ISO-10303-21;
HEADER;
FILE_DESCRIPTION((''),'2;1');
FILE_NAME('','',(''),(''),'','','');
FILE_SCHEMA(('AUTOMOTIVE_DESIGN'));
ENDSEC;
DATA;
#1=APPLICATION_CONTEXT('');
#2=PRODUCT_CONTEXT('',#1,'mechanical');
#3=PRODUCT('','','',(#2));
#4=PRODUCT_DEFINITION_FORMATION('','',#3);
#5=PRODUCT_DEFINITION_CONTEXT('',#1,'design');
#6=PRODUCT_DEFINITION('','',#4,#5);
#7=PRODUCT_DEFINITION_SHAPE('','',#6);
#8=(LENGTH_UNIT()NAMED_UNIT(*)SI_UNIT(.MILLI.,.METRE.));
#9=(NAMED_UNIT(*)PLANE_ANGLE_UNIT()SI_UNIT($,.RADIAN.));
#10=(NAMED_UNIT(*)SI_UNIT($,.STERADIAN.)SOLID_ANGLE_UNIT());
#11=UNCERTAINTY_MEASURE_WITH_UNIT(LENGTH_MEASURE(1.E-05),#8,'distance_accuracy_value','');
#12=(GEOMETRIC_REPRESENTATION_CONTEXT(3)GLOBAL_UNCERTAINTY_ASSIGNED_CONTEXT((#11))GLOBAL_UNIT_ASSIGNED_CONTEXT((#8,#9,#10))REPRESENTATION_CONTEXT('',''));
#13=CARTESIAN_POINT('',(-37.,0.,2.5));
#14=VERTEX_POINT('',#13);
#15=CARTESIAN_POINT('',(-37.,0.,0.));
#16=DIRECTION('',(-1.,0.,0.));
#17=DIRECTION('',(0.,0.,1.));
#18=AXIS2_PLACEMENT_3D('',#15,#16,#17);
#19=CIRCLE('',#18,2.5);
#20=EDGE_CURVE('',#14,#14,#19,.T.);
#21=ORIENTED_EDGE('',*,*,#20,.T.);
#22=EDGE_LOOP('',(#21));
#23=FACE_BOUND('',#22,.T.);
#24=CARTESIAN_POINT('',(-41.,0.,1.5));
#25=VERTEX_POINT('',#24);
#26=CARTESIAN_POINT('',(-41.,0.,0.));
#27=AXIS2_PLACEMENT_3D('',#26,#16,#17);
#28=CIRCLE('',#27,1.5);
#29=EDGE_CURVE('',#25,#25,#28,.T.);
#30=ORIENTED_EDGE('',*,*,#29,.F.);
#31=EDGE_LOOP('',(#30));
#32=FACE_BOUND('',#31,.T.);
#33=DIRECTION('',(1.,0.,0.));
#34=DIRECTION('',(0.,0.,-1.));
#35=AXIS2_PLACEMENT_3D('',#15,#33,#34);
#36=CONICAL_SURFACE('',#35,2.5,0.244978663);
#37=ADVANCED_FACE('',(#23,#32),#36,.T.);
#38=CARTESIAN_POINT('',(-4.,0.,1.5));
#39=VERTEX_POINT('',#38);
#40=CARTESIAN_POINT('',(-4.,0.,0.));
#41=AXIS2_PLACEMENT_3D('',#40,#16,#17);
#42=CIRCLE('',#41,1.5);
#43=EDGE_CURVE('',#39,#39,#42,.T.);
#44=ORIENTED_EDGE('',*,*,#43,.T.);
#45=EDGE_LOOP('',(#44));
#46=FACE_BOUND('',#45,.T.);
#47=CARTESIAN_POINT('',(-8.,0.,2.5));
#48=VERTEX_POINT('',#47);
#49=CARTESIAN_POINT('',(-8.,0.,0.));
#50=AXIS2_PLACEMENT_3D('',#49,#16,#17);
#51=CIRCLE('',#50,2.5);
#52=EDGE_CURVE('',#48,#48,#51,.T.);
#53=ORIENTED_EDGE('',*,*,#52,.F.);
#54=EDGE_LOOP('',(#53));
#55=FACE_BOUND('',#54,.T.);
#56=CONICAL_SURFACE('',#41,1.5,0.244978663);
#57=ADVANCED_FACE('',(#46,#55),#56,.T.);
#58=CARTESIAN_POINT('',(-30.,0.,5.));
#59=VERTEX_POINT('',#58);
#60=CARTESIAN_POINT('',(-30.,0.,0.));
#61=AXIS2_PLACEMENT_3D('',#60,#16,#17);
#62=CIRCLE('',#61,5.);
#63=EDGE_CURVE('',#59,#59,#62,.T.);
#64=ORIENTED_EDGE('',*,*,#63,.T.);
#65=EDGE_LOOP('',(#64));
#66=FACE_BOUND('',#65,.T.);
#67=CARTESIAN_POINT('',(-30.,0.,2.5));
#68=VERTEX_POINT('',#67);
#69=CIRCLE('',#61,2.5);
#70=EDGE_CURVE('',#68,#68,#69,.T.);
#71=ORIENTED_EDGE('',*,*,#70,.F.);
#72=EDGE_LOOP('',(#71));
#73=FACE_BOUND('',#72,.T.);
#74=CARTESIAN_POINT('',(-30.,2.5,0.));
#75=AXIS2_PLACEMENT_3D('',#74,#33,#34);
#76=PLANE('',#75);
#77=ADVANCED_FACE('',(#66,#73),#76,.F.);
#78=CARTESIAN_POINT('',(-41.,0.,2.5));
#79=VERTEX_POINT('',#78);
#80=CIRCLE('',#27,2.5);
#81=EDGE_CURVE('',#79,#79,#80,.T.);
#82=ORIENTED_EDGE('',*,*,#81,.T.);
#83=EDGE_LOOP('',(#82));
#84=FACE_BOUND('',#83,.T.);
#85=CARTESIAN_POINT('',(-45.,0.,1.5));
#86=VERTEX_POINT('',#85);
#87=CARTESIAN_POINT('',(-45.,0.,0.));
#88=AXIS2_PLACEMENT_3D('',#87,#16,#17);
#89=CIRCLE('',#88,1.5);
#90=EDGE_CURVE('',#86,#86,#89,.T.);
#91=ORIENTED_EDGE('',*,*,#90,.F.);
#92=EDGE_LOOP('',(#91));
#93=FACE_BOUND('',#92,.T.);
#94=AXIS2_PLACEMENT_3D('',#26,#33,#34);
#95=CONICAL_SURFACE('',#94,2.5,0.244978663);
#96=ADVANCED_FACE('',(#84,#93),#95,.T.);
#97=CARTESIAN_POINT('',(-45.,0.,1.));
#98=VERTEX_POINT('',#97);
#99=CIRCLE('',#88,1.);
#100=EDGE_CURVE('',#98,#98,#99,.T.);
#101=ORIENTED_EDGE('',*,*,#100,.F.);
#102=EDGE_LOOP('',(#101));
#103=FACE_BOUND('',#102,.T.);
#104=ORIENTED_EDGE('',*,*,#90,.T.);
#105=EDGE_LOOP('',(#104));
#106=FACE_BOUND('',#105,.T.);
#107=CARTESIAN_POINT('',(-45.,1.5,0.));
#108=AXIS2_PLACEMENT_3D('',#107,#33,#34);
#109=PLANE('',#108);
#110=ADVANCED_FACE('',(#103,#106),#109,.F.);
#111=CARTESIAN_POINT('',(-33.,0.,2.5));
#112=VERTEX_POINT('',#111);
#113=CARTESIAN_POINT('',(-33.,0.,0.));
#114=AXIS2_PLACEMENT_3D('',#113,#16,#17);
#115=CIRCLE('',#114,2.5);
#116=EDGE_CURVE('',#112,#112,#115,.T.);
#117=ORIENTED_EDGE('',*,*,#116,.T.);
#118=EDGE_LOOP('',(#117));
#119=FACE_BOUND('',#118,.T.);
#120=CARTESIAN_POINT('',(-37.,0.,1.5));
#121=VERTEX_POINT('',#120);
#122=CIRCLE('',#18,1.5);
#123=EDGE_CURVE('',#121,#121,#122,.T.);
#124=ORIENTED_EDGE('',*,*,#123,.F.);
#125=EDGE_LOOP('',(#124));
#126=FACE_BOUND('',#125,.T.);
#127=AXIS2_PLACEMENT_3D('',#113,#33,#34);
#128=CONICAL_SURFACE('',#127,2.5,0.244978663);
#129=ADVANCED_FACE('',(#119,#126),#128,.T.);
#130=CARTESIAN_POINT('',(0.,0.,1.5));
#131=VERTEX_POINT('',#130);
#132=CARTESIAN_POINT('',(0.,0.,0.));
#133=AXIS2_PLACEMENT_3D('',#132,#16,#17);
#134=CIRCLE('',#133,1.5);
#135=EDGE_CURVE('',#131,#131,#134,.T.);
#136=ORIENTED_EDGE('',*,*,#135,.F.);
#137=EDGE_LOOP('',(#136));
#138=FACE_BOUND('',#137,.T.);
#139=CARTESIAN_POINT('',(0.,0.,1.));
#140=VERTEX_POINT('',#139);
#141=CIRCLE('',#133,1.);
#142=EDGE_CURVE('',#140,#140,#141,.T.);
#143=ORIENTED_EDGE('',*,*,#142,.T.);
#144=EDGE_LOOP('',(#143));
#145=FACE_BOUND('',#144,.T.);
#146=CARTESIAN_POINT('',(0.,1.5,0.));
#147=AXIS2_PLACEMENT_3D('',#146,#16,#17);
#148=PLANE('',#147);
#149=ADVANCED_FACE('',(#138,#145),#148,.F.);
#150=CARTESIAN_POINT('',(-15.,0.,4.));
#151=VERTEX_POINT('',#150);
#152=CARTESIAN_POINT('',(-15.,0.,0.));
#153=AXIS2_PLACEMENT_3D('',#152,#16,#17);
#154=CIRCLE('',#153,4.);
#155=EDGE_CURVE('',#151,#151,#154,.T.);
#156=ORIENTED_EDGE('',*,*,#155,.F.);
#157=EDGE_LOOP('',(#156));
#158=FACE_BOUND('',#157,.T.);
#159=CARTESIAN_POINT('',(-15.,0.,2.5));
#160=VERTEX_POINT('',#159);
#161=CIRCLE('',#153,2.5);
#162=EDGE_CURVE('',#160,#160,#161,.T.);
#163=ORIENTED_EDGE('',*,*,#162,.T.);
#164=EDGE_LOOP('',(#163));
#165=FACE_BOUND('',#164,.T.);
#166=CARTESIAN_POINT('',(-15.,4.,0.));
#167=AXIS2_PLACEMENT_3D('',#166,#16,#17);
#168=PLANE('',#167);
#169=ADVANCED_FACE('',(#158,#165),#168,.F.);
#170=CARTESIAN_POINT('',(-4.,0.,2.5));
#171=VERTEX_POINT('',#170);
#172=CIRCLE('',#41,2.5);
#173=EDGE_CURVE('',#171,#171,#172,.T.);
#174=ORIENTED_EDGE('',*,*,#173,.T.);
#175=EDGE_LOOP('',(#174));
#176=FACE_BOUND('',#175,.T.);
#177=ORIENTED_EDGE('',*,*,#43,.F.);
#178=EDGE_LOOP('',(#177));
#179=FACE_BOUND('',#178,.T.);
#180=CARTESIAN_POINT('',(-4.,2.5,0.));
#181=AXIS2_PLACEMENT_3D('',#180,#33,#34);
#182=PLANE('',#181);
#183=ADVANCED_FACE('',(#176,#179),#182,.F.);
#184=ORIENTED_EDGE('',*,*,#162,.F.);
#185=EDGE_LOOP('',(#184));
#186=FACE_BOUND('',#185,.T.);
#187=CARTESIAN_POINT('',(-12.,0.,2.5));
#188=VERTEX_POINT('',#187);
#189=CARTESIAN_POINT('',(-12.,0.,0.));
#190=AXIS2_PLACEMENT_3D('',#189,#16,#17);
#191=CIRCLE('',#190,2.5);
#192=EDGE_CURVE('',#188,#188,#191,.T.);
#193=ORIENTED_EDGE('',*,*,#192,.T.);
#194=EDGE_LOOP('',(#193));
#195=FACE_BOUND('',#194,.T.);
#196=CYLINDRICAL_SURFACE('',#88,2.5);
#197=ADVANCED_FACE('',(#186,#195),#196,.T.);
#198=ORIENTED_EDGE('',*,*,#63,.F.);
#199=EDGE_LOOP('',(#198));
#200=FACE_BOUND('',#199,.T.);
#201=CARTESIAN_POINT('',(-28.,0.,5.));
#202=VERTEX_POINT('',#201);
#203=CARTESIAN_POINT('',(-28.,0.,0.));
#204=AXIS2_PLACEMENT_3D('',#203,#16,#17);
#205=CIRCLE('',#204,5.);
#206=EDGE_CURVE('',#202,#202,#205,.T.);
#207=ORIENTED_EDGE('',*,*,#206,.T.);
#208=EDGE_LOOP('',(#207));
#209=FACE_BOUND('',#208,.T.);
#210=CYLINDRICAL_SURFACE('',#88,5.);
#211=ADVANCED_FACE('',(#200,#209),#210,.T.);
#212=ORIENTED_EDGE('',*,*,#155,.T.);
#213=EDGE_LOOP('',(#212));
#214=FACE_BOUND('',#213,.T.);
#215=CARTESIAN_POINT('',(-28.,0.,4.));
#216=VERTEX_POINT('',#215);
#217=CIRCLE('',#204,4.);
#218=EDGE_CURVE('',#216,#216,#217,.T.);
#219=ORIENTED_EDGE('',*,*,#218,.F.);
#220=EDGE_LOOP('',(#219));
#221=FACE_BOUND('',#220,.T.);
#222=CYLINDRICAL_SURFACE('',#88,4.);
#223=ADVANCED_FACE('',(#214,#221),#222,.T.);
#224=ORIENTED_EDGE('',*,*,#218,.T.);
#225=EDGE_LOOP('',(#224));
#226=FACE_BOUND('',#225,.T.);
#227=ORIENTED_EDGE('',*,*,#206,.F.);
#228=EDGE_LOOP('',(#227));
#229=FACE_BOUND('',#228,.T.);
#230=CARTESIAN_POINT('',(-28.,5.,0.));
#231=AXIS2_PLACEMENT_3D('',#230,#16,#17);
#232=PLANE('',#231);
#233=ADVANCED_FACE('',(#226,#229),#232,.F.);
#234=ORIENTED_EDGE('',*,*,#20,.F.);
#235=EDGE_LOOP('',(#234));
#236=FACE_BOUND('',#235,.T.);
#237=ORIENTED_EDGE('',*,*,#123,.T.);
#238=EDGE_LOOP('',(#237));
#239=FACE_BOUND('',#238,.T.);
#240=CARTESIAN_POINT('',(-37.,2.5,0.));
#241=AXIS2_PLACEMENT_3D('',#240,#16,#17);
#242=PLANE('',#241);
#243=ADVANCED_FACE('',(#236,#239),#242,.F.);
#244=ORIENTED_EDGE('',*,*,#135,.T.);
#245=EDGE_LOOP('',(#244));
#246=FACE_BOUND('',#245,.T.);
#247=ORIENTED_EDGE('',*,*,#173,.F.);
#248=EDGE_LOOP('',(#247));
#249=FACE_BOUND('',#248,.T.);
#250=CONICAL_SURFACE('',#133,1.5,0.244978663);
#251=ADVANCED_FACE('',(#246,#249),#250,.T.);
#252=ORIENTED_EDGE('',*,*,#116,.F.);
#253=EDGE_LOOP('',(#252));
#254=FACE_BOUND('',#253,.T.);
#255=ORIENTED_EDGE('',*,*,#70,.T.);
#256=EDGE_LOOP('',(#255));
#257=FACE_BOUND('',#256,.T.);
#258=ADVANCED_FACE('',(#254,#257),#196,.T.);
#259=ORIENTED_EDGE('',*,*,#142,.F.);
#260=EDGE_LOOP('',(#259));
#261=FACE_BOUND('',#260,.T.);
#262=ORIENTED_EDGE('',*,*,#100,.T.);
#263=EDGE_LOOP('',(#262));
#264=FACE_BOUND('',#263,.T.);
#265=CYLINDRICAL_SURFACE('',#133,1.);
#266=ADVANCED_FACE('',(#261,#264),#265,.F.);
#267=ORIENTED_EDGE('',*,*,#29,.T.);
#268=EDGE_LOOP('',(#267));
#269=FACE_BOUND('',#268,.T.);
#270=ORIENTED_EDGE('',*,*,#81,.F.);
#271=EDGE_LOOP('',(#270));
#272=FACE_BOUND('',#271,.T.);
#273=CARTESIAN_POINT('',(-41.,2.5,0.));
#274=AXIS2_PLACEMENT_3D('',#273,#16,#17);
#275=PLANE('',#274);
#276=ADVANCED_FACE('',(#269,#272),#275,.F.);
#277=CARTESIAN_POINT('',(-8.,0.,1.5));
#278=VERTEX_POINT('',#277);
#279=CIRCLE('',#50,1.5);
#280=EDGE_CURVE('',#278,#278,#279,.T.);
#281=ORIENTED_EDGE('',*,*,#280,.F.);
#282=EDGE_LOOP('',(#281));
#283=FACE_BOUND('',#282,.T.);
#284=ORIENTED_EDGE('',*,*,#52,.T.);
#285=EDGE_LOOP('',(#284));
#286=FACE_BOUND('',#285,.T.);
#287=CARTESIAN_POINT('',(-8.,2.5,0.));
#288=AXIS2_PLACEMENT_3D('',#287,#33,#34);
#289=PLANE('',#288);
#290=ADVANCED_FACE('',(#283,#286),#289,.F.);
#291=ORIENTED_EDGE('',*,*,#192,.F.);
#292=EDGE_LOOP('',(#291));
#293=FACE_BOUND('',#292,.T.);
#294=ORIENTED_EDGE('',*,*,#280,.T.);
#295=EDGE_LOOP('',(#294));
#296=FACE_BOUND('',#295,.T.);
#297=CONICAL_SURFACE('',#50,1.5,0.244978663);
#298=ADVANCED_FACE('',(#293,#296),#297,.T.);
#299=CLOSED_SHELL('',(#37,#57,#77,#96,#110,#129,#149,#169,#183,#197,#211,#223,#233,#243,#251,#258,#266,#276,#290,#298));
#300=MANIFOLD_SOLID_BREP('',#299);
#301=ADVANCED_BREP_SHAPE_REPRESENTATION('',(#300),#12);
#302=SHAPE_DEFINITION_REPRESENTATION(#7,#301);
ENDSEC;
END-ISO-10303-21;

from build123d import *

# Parameters (mm, degrees)
SKETCH_2_R          = 1
CUT_EXTRUDE_1_DEPTH = 46


with BuildPart() as part:
    # Эскиз1 → Повернуть1 (revolve)
    with BuildSketch(Plane.XY):
        Polygon((-30, 2.5), (-33, 2.5), (-37, 1.5), (-37, 2.5), (-41, 1.5), (-41, 2.5), (-45, 1.5), (-45, 0), (0, 0), (0, 1.5), (-4, 2.5), (-4, 1.5), (-8, 2.5), (-8, 1.5), (-12, 2.5), (-15, 2.5), (-15, 4), (-28, 4), (-28, 5), (-30, 5), align=None)
    revolve(axis=Axis((-45, 0, 0), (1, 0, 0)))

    # Эскиз2 → Вырез-Вытянуть1 (cut, through all)
    with BuildSketch(Plane.ZY.offset(45)):
        Circle(SKETCH_2_R)
    extrude(amount=-CUT_EXTRUDE_1_DEPTH, mode=Mode.SUBTRACT)


solid = part.part
